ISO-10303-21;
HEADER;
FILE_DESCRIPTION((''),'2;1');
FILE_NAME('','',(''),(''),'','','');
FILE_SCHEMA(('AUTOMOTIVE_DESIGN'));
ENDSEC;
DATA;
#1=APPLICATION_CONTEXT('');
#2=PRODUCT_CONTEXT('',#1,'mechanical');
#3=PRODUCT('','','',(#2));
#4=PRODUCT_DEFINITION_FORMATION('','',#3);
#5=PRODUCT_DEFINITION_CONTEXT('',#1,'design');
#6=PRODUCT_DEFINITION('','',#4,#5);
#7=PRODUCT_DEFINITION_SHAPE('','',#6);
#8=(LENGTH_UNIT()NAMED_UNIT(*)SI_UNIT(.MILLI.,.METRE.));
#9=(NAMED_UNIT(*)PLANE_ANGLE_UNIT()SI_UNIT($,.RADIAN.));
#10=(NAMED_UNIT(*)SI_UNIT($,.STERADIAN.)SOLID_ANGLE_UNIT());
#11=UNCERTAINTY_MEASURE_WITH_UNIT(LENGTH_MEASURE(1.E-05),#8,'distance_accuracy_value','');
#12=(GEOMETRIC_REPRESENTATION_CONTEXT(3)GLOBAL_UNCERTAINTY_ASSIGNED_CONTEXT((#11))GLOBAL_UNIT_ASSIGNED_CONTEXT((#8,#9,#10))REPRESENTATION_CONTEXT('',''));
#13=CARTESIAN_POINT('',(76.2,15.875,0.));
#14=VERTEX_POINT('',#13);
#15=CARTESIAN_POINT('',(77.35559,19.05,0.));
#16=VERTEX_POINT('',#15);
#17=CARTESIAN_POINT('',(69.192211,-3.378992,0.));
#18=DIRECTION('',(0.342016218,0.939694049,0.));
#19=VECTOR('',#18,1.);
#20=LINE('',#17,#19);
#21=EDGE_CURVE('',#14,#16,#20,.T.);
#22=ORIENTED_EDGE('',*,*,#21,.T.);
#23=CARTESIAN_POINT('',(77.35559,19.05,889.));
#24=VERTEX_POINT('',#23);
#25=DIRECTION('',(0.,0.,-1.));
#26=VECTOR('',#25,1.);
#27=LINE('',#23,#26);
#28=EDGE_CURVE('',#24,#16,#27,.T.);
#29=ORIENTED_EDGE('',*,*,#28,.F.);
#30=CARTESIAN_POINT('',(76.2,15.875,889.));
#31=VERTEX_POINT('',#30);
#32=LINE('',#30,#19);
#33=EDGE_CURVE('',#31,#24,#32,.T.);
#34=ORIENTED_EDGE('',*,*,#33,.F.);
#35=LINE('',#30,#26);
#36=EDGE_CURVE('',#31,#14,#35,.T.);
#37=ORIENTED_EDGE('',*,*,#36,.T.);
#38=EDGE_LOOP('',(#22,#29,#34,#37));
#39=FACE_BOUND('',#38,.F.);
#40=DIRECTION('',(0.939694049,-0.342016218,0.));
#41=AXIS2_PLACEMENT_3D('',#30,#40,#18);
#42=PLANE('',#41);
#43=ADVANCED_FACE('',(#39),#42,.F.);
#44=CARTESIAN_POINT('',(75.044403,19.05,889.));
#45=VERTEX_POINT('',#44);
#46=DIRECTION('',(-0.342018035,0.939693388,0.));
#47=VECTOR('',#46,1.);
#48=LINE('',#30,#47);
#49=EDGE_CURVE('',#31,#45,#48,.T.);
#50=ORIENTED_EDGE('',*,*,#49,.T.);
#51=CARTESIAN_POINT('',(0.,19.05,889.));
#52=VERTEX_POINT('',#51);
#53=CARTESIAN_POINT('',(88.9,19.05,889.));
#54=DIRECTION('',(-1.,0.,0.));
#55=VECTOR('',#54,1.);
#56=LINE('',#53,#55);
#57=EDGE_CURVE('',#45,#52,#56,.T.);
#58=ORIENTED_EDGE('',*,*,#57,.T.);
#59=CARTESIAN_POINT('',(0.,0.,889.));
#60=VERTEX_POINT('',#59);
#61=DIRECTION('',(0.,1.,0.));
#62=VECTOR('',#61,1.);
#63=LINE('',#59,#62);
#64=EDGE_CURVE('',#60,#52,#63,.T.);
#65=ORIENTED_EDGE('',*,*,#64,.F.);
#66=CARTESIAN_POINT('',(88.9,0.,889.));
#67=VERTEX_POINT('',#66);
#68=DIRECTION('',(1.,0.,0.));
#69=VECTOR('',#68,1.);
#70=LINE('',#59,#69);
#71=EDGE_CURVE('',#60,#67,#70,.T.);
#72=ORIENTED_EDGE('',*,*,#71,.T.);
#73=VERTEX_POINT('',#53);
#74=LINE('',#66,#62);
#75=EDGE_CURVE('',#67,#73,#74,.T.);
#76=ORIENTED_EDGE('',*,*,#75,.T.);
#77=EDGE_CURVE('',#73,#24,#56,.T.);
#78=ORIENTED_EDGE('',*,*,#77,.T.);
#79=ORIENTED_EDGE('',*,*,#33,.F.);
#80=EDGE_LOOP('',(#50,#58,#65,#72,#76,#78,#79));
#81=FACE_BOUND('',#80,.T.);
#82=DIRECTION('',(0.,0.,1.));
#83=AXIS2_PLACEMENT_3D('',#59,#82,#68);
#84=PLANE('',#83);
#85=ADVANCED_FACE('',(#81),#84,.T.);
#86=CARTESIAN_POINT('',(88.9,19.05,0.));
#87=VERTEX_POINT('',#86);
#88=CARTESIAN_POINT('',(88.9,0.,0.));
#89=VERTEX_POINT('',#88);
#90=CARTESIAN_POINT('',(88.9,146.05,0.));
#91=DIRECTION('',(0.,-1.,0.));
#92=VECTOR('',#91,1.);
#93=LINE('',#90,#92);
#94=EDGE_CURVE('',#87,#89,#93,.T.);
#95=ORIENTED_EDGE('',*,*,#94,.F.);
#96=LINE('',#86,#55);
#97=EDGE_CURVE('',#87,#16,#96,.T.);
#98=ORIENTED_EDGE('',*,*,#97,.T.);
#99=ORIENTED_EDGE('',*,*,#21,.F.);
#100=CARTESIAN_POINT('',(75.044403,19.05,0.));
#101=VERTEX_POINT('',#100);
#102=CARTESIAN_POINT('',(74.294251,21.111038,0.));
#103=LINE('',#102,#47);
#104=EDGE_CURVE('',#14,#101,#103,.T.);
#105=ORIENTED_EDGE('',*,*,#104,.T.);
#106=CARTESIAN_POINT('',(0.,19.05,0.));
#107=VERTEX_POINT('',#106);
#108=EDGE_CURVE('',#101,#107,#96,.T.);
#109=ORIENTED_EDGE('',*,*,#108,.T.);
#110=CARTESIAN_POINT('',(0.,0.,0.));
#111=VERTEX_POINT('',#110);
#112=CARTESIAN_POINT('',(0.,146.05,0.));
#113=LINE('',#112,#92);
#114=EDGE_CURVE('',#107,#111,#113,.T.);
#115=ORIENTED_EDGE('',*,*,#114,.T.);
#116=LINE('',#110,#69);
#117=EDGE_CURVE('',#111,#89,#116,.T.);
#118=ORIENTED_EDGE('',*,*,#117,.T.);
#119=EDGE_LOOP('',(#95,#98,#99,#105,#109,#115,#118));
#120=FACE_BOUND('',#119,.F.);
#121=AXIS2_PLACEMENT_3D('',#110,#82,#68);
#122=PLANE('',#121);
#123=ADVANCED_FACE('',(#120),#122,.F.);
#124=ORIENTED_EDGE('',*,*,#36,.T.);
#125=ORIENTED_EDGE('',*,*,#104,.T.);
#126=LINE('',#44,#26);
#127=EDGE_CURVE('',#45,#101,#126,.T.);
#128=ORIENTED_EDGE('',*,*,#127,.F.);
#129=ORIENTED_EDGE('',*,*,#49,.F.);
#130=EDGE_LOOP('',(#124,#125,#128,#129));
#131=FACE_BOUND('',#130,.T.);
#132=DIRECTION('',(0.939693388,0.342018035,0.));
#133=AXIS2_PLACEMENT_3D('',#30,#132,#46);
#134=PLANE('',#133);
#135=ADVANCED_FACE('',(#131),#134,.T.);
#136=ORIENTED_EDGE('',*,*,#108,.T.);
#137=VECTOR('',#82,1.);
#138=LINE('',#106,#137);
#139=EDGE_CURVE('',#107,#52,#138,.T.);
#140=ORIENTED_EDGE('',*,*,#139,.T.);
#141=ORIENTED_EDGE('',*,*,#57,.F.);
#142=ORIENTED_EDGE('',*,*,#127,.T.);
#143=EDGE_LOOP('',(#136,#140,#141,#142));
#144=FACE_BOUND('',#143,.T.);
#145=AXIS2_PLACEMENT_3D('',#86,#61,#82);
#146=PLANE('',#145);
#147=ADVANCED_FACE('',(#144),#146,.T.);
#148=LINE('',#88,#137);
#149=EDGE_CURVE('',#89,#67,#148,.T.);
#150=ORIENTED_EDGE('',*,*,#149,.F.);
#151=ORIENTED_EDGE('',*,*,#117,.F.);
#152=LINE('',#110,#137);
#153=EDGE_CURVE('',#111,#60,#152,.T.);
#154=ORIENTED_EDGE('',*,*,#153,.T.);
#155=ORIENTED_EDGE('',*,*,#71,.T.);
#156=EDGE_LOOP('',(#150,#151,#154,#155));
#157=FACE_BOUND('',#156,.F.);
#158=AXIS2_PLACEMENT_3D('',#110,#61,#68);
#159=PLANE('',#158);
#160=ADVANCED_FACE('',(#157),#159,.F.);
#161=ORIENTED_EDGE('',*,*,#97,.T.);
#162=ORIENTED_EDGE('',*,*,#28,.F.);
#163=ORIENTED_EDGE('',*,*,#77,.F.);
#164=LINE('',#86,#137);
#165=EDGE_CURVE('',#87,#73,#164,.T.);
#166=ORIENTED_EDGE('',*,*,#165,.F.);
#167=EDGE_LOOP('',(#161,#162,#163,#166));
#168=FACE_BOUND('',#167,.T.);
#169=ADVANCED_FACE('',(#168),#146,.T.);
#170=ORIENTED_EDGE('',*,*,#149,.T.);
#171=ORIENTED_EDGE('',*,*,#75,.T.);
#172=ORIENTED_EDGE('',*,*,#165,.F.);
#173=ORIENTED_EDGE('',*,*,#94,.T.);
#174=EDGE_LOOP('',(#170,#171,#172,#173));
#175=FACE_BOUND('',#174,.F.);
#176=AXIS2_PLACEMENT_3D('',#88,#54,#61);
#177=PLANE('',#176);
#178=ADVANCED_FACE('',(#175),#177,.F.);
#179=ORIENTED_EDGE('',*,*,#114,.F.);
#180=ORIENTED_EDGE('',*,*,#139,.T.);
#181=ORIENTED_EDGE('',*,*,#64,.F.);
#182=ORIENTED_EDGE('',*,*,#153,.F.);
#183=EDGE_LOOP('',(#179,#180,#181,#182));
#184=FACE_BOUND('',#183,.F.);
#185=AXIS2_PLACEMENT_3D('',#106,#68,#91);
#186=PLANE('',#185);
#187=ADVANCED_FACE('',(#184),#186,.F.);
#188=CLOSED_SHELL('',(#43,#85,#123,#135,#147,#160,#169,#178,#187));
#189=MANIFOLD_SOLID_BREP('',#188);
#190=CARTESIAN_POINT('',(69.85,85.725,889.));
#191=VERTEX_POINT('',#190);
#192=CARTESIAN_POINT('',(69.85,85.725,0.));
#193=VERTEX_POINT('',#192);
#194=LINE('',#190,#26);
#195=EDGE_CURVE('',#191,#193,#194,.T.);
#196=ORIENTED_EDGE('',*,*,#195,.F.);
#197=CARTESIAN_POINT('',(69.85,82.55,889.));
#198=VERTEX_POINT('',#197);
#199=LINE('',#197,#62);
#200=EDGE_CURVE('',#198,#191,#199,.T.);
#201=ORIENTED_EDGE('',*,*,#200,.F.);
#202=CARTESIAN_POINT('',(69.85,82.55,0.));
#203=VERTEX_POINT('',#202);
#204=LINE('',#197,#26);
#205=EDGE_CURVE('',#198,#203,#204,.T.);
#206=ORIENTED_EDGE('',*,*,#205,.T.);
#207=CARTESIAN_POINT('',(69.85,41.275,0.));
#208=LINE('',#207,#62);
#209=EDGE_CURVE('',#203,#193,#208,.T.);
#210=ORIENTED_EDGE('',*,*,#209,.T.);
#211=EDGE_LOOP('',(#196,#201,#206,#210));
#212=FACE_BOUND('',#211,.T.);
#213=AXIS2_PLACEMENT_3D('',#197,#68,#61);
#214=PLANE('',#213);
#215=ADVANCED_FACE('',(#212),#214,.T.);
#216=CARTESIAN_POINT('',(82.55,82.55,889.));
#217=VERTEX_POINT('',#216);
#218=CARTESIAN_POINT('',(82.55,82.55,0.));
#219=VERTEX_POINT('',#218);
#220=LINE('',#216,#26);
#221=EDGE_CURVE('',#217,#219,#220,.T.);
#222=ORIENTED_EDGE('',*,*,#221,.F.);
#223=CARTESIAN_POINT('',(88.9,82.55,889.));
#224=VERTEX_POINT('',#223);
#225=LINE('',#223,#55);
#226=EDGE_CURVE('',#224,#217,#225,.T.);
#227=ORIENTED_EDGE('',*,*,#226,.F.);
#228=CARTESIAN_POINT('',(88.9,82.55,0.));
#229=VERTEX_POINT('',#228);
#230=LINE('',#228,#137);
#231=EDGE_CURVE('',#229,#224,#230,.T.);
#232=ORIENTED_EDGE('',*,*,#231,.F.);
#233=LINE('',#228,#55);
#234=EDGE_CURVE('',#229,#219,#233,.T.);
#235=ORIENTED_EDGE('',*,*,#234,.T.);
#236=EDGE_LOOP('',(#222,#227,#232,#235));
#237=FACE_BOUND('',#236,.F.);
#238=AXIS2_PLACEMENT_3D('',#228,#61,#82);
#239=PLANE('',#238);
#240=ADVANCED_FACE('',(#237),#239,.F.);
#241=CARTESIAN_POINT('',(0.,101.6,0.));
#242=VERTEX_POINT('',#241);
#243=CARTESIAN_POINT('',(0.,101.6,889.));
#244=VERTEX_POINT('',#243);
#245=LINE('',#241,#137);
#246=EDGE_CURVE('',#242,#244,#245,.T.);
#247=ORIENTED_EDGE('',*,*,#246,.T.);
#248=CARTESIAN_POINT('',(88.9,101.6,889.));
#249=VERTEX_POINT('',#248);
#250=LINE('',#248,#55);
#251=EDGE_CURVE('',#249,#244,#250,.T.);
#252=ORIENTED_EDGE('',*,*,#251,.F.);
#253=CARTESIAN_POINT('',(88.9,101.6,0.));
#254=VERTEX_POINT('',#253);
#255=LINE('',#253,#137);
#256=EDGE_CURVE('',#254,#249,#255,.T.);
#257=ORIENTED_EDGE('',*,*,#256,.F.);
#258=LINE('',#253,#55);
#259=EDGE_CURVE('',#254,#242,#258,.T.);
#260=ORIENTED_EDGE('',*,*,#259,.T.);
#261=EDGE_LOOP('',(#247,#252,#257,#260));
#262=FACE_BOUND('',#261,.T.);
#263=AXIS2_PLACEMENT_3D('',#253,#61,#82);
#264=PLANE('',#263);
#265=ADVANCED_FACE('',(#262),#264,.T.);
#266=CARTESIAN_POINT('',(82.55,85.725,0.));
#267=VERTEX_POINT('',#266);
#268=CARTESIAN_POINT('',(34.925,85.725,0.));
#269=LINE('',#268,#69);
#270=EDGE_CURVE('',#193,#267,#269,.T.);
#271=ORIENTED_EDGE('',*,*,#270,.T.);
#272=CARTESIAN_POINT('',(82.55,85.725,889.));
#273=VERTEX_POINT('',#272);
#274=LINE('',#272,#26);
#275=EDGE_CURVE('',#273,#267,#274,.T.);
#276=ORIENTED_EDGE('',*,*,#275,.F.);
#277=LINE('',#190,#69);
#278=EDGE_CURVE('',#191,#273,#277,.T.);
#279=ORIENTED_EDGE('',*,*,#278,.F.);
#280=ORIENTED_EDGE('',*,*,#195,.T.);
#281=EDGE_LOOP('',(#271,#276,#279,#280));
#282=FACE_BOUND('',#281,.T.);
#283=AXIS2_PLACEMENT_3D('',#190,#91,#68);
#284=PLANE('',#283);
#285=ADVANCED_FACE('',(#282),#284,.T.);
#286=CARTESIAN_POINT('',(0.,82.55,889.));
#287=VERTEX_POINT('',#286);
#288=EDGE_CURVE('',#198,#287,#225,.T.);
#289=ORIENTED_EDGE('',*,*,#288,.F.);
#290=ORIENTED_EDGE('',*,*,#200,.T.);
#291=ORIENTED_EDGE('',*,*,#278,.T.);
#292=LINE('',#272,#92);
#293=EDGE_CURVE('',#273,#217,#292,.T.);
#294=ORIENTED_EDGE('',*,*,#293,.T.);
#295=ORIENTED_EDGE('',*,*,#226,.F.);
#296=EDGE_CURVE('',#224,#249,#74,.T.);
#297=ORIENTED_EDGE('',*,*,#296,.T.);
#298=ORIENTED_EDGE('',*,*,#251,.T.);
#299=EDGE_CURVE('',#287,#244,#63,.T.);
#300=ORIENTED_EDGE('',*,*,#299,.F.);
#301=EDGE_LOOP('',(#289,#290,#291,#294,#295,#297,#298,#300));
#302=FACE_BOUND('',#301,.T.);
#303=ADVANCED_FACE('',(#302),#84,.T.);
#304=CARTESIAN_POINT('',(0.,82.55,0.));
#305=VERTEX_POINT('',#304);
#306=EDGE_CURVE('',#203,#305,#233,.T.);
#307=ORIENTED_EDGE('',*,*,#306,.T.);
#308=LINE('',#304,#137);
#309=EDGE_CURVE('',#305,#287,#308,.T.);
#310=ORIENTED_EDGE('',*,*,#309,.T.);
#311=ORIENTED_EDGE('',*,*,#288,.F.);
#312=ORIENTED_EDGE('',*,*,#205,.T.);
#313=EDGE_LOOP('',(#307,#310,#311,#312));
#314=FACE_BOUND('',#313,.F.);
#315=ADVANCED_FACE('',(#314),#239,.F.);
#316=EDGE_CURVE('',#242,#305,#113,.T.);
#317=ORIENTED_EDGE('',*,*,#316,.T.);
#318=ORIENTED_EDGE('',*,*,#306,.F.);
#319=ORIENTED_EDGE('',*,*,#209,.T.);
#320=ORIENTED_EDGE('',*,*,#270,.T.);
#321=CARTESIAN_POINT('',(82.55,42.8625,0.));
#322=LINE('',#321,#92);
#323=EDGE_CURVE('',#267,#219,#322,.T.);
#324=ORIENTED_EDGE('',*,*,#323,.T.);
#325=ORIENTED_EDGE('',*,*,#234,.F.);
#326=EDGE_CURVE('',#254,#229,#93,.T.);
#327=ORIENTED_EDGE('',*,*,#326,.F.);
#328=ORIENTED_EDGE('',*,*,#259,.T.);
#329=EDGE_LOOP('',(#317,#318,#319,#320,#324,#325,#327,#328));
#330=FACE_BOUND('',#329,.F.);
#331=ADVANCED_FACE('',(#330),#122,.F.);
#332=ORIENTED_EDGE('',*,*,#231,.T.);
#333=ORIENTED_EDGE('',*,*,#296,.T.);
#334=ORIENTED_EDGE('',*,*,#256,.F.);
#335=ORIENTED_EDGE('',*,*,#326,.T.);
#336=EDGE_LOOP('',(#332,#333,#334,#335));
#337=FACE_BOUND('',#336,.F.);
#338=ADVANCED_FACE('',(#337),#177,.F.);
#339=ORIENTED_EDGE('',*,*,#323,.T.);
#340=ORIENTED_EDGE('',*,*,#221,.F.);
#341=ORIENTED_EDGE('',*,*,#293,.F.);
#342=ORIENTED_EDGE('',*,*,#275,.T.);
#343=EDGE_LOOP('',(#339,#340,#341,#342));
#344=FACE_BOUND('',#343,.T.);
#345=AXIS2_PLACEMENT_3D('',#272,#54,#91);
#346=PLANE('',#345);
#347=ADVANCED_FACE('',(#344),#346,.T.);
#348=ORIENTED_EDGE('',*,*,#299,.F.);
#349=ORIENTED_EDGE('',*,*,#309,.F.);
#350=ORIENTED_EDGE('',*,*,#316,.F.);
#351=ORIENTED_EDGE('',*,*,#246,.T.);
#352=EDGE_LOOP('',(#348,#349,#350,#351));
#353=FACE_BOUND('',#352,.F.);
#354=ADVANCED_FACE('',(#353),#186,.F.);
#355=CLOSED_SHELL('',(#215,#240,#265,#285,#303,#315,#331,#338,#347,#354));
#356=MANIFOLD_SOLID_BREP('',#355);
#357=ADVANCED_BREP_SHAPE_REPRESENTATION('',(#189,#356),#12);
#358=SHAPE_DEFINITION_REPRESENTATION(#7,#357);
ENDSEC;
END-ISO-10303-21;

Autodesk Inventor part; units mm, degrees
ref_plane "YZ Plane" through (0, 0, 0) normal (1, 0, 0) x (0, 1, 0)
ref_plane "XZ Plane" through (0, 0, 0) normal (0, 1, 0) x (-1, 0, 0)
ref_plane "XY Plane" through (0, 0, 0) normal (0, 0, 1) x (1, 0, 0)
sketch "Sketch1" plane through (0, 0, 0) normal (0, 0, 1) x (1, 0, 0)
  line L0 (0, 0) -> (88.9, 0)
  line L1 (88.9, 0) -> (88.9, 19.05)
  line L2 (88.9, 19.05) -> (0, 19.05)
  line L3 (0, 19.05) -> (0, 0)
  dimension "d0" = 88.9
  dimension "d1" = 19.05
extrude "Extrusion1" add sketch "Sketch1" along normal blind 889
sketch "Sketch2" plane through (0, 19.05, 0) normal (0, 1, 0) x (1, 0, 0)
  line L0 (88.9, 0) -> (0, 0) projected
  line L1 (0, 0) -> (0, -889) projected
  line L2 (88.9, -889) -> (0, -889) projected
  line L3 (88.9, 0) -> (88.9, -889) projected
extrude "Extrusion2" add sketch "Sketch2" along normal blind 127
sketch "Sketch3" plane through (88.9, 0, 889) normal (1, 0, 0) x (0, 0, -1)
  line L0 (889, 0) -> (889, 146.05) projected
  line L1 (0, 146.05) -> (889, 146.05) projected
  line L2 (0, 0) -> (0, 146.05) projected
  line L3 (889, 0) -> (0, 0) projected
  line L4 (889, 0) -> (0, 0) projected
  line L5 (889, 0) -> (889, 146.05) projected
  line L6 (0, 0) -> (889, 0)
  line L7 (889, 0) -> (889, 19.05)
  line L8 (889, 19.05) -> (0, 19.05)
  line L9 (0, 19.05) -> (0, 0)
  line L10 (0, 0) -> (0, 146.05) projected
  line L11 (889, 0) -> (889, 146.05) projected
  line L12 (0, 0) -> (889, 0)
  line L13 (889, 0) -> (889, 101.6)
  line L14 (889, 101.6) -> (0, 101.6)
  line L15 (0, 101.6) -> (0, 0)
  line L16 (0, 101.6) -> (889, 101.6)
  line L17 (889, 101.6) -> (889, 82.55)
  line L18 (889, 82.55) -> (0, 82.55)
  line L19 (0, 82.55) -> (0, 101.6)
  dimension "d6" = 19.05
  dimension "d7" = 889
  dimension "d8" = 101.6
  dimension "d9" = 19.05
extrude "Extrusion3" cut sketch "Sketch3" against normal blind 127 contours L8 L2 L18 L0 | L14 L2 L1 L0
sketch "Sketch5" plane through (0, 0, 889) normal (0, 0, 1) x (1, 0, 0)
  line L0 (0, 0) -> (0, 19.05) projected
  line L1 (88.9, 82.55) -> (88.9, 101.6) projected
  line L2 (0, 0) -> (88.9, 0)
  line L3 (88.9, 0) -> (88.9, 101.6)
  line L4 (88.9, 101.6) -> (0, 101.6)
  line L5 (0, 101.6) -> (0, 0)
  line L6 (88.9, 19.05) -> (0, 19.05) projected
  line L7 (0, 82.55) -> (88.9, 82.55) projected
  line L8 (88.9, 82.55) -> (82.55, 82.55)
  line L9 (82.55, 82.55) -> (82.55, 74.8219)
  line L10 (82.55, 74.8219) -> (88.9, 74.8219)
  line L11 (88.9, 74.8219) -> (88.9, 82.55)
  line L12 (82.55, 82.55) -> (69.85, 82.55)
  line L13 (69.85, 82.55) -> (69.85, 85.725)
  line L14 (69.85, 85.725) -> (82.55, 85.725)
  line L15 (82.55, 85.725) -> (82.55, 82.55)
  dimension "d12" = 88.9
  dimension "d13" = 101.6
  dimension "d14" = 19.05
  dimension "d15" = 63.5
  dimension "d16" = 6.35
  dimension "d17" = 12.7
  dimension "d18" = 3.175
extrude "Extrusion4" cut sketch "Sketch5" against normal through all contours L13 L14 L15 L7
sketch "Sketch6" plane through (0, 0, 889) normal (0, 0, 1) x (1, 0, 0)
  line L0 (0, 0) -> (0, 19.05)
  line L1 (88.9, 82.55) -> (88.9, 101.6)
  line L2 (0, 0) -> (88.9, 0)
  line L3 (88.9, 0) -> (88.9, 101.6)
  line L4 (88.9, 101.6) -> (0, 101.6)
  line L5 (0, 101.6) -> (0, 0)
  line L6 (88.9, 19.05) -> (0, 19.05)
  line L7 (0, 82.55) -> (88.9, 82.55)
  line L8 (88.9, 82.55) -> (82.55, 82.55)
  line L9 (82.55, 82.55) -> (82.55, 74.8219)
  line L10 (82.55, 74.8219) -> (88.9, 74.8219)
  line L11 (88.9, 74.8219) -> (88.9, 82.55)
  line L12 (82.55, 82.55) -> (69.85, 82.55)
  line L13 (69.85, 82.55) -> (69.85, 85.725)
  line L14 (69.85, 85.725) -> (82.55, 85.725)
  line L15 (82.55, 85.725) -> (82.55, 82.55)
  line L16 (76.2, 82.55) -> (76.2, 19.05)
  line L17 (88.9, 19.05) -> (0, 19.05) projected
  line L18 (76.2, 19.05) -> (76.2, 15.875)
  line L19 (76.2, 15.875) -> (72.9644, 24.7648)
  line L20 (76.2, 15.875) -> (79.0952, 23.8296)
  point P0 (75.0444, 19.05)
  point P1 (77.3556, 19.05)
  dimension "d21" = 88.9
  dimension "d22" = 101.6
  dimension "d23" = 19.05
  dimension "d24" = 63.5
  dimension "d25" = 6.35
  dimension "d26" = 12.7
  dimension "d27" = 3.175
  dimension "d28" = 3.175
  dimension "d29" = 20
  dimension "d30" = 20
extrude "Extrusion5" cut sketch "Sketch6" against normal through all contours L6 L18 L19 | L6 L20 L18
sketch "Sketch8" plane through (88.9, 82.55, 889) normal (1, 0, 0) x (0, 0, -1)
  line L0 (889, 19.05) -> (0, 19.05) projected
  line L1 (889, -82.55) -> (0, -82.55) projected
  line L2 (0, 19.05) -> (19.05, 19.05)
  line L3 (19.05, 19.05) -> (19.05, -82.55)
  line L4 (19.05, -82.55) -> (0, -82.55)
  line L5 (0, -82.55) -> (0, 19.05)
  dimension "d40" = 19.05
properties part number "box slabs"
